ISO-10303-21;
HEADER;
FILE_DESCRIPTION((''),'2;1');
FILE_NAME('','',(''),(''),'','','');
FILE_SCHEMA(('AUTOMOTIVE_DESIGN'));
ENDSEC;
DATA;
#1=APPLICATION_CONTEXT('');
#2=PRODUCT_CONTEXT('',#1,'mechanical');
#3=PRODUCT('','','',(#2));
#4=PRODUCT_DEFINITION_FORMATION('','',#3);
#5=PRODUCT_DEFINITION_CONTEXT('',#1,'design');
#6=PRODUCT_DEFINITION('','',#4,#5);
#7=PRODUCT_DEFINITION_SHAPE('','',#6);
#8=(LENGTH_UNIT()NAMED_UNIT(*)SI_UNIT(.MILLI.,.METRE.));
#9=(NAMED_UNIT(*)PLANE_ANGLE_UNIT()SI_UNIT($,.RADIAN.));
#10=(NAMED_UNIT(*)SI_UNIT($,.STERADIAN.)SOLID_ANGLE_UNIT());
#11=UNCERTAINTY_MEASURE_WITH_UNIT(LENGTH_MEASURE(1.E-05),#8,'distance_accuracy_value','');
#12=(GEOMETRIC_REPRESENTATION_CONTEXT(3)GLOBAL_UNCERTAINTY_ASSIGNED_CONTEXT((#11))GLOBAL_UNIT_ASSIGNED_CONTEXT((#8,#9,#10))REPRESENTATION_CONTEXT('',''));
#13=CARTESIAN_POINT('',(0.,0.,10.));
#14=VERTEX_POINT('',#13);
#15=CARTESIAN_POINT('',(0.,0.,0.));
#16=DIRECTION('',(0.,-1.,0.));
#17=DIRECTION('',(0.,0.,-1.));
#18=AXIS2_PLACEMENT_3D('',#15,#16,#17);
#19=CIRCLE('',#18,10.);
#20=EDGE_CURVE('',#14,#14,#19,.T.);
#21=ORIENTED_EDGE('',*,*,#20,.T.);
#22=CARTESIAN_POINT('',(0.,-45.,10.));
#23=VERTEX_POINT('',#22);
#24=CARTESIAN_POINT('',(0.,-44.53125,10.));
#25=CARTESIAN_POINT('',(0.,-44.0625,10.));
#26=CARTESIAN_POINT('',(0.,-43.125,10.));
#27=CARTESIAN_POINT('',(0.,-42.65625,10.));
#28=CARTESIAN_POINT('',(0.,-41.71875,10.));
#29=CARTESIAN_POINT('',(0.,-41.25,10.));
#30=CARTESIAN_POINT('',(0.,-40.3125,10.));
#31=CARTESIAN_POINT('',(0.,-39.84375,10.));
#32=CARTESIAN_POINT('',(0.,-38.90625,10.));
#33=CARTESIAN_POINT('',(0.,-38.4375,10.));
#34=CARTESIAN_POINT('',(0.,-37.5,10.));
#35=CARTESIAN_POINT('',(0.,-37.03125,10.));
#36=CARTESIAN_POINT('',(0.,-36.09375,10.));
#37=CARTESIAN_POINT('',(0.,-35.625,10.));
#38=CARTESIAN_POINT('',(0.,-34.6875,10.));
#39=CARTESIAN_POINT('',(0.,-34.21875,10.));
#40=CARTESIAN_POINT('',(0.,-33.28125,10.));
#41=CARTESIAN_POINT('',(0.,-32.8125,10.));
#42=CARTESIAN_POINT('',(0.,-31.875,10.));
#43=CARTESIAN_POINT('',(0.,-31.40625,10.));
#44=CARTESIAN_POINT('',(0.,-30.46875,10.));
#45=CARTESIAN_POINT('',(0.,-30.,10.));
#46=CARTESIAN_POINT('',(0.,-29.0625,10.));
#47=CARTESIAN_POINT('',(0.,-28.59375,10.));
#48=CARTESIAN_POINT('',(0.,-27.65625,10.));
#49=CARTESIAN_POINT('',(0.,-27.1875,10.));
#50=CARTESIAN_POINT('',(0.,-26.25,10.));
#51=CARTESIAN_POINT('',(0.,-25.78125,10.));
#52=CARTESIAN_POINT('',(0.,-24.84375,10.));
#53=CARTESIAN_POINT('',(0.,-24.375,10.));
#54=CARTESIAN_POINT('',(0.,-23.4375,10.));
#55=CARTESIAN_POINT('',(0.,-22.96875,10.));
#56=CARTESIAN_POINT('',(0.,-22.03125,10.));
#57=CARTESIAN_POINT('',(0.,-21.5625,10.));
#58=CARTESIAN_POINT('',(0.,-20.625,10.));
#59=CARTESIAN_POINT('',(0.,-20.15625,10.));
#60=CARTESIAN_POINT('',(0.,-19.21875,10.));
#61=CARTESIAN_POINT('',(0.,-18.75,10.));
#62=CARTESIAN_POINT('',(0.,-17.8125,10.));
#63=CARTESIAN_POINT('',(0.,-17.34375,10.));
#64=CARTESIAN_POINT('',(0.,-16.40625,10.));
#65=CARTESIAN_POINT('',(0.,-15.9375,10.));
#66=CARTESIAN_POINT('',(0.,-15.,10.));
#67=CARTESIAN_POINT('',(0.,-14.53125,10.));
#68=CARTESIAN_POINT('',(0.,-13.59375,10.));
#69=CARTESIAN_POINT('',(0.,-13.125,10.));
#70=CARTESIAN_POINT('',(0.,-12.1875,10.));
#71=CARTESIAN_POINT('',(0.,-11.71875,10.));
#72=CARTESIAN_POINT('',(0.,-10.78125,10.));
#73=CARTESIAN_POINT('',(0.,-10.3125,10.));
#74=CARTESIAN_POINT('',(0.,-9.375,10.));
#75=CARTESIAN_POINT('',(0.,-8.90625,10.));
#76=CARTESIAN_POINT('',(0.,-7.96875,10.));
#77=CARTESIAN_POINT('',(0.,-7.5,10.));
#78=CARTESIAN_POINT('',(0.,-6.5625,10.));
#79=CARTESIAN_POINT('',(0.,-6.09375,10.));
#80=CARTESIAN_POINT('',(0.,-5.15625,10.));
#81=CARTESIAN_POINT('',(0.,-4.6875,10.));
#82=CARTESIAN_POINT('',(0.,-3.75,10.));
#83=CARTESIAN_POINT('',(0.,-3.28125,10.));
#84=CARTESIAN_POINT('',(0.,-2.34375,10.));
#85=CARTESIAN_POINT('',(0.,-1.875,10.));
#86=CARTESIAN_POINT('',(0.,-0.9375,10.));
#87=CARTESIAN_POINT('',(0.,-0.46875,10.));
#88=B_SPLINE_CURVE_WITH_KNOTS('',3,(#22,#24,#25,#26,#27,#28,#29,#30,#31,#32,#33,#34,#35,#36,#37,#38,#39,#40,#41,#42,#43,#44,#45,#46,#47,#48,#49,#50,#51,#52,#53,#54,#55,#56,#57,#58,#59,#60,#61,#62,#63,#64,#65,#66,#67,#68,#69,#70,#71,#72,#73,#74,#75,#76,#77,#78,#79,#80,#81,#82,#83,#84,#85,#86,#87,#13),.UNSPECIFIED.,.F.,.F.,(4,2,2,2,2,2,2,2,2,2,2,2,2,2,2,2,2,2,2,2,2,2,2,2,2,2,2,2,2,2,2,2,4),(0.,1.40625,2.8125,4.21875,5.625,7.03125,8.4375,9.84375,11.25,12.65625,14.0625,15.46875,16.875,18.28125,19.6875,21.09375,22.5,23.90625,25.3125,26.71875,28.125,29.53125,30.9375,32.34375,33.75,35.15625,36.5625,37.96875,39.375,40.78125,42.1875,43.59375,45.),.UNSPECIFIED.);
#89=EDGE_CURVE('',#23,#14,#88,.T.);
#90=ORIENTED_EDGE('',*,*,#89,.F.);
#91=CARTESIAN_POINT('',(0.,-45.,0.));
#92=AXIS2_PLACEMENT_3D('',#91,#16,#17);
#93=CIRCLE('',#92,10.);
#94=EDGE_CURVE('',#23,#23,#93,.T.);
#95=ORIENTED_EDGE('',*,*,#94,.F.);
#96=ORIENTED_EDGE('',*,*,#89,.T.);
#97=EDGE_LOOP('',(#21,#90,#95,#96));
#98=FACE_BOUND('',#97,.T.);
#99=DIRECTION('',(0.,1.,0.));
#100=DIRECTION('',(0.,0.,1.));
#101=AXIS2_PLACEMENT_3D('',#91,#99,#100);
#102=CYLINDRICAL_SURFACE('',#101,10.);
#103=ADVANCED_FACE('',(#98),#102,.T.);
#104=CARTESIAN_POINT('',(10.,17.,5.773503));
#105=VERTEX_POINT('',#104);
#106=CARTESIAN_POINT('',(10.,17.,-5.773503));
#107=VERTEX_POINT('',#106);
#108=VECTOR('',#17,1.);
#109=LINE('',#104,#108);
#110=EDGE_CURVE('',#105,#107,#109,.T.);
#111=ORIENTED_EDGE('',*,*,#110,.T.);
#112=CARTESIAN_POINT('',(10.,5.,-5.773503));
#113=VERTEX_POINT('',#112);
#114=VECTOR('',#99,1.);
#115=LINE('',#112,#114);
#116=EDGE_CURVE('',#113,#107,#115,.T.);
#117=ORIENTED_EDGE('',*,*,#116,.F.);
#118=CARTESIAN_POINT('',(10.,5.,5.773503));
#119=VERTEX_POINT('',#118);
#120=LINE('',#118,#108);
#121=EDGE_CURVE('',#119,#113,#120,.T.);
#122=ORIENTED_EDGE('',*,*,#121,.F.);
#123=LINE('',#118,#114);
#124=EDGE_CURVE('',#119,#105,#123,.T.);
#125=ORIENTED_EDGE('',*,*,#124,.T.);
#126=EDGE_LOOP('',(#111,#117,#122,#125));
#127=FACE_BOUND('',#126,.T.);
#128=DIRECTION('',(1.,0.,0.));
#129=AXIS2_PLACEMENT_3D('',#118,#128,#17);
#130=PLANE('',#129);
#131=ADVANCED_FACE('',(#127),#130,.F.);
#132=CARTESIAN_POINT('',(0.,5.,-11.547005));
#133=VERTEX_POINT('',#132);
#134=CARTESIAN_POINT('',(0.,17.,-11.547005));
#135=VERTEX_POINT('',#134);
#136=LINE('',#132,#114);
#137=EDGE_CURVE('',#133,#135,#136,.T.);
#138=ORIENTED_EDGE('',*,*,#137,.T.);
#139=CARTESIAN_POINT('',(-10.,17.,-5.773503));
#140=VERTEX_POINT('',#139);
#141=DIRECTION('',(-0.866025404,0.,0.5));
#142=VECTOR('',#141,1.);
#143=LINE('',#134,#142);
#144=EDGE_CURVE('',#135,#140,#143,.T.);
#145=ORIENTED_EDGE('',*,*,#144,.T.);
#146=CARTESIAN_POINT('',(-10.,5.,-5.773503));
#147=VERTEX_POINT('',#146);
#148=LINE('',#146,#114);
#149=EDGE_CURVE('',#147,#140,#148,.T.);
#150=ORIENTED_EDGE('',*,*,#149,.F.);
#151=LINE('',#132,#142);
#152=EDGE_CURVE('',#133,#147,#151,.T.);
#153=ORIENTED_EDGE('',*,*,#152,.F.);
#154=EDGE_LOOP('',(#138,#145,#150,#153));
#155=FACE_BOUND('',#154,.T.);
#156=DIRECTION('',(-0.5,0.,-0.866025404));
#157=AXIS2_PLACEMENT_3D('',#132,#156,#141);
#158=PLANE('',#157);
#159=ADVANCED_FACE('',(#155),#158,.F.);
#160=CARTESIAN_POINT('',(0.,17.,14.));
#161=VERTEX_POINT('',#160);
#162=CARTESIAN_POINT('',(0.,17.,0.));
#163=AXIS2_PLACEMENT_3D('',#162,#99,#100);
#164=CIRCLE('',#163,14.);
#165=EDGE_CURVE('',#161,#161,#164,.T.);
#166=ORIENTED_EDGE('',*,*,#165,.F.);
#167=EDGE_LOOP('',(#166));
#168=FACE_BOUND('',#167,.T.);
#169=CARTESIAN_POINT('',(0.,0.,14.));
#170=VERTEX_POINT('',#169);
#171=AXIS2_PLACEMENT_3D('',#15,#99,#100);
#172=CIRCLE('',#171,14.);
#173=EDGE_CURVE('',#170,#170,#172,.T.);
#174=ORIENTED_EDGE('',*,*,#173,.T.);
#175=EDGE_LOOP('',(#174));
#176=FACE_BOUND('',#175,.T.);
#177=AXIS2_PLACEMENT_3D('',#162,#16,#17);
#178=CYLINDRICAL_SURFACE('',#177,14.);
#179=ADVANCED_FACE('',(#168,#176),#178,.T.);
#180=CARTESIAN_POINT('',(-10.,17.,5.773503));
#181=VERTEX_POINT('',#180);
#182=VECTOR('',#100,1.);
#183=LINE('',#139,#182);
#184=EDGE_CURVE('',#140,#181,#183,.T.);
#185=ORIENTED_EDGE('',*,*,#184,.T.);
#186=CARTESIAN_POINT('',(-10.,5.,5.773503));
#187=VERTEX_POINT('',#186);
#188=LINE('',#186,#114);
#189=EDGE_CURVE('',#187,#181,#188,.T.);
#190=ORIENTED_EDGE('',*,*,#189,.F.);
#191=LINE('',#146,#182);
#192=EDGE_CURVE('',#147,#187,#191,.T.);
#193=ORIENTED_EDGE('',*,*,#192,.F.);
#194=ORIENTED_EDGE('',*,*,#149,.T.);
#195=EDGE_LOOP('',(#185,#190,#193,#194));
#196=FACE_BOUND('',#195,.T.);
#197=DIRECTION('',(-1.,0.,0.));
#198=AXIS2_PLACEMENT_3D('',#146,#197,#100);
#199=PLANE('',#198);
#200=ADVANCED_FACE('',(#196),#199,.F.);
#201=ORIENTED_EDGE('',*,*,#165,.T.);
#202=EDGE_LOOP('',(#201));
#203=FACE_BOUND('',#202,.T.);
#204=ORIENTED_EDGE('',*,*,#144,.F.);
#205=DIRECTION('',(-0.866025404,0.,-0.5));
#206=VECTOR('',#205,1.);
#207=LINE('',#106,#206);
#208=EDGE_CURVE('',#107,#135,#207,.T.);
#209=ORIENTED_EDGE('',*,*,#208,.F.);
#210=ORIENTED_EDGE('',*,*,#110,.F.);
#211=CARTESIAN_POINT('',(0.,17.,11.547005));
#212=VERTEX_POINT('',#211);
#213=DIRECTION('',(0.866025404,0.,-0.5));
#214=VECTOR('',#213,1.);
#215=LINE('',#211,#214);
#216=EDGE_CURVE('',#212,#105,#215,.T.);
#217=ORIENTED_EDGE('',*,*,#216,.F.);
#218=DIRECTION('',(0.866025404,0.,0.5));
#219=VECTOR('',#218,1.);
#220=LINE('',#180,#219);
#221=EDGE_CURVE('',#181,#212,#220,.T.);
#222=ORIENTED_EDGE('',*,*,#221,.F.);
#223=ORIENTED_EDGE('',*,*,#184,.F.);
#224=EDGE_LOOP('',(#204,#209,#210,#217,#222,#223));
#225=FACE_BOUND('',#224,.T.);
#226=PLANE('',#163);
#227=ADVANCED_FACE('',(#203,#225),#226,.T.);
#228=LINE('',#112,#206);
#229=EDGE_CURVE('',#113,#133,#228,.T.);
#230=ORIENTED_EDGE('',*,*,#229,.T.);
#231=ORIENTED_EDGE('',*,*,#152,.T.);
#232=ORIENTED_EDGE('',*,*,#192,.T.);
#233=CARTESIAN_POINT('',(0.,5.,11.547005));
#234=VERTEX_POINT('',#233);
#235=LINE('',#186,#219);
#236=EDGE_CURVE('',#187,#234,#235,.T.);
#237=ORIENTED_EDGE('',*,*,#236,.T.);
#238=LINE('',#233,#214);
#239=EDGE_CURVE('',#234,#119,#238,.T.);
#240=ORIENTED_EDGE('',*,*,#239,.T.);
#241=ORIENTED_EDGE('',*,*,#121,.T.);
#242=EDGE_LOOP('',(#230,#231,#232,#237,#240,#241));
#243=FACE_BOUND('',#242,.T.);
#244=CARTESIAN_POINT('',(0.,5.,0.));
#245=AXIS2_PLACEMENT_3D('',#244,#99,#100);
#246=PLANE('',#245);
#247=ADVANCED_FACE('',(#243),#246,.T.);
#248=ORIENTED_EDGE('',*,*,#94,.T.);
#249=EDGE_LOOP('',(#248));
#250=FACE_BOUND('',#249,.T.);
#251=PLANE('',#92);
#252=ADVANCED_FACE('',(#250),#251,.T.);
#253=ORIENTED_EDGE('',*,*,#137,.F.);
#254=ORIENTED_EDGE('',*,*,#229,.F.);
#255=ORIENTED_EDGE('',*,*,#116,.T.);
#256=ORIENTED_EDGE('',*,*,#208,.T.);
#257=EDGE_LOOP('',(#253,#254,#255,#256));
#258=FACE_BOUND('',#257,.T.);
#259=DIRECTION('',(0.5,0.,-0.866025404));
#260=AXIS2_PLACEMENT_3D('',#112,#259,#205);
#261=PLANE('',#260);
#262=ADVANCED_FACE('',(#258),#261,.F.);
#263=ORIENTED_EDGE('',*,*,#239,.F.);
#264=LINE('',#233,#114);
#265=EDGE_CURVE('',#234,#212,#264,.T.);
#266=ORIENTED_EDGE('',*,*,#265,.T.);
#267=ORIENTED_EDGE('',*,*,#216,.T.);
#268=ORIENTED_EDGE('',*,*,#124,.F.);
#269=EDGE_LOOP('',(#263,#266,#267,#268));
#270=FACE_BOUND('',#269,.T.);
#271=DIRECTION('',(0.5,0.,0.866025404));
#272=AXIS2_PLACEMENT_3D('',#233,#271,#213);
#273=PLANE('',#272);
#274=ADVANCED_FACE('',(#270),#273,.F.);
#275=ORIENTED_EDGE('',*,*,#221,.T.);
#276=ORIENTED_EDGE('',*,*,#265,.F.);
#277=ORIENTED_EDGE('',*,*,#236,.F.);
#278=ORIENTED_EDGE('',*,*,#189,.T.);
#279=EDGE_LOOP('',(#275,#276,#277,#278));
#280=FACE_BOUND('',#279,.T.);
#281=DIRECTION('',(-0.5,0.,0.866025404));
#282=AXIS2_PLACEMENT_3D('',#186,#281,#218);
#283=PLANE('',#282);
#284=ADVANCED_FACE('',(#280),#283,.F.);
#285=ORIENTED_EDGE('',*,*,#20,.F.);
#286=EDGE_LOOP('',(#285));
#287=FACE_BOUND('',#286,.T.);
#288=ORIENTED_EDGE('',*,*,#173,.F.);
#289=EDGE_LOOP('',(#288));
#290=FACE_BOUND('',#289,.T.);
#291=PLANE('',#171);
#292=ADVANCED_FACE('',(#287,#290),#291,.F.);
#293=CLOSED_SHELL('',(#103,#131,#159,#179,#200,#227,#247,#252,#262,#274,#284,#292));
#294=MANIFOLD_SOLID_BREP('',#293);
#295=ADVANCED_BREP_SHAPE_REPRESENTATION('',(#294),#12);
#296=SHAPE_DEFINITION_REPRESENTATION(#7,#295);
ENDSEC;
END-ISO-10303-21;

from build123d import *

# Parameters (mm, degrees)
SKETCH1_R           = 14
BOSS_EXTRUDE1_DEPTH = 17
SKETCH2_R           = 10
BOSS_EXTRUDE2_DEPTH = 45
CUT_EXTRUDE1_DEPTH  = 12


with BuildPart() as part:
    # Sketch1 → Boss-Extrude1 (new body)
    with BuildSketch(Plane(origin=(0, 0, 0), x_dir=(1, 0, 0), z_dir=(0, 1, 0))):
        with Locations(Location((0, 0, 0), (0, 0, 270))):
            Circle(SKETCH1_R)
    extrude(amount=BOSS_EXTRUDE1_DEPTH)

    # Sketch2 → Boss-Extrude2 (add)
    with BuildSketch(Plane.XZ):
        with Locations(Location((0, 0, 0), (0, 0, 90))):
            Circle(SKETCH2_R)
    extrude(amount=BOSS_EXTRUDE2_DEPTH)

    # Sketch3 → Cut-Extrude1 (cut)
    with BuildSketch(Plane(origin=(0, 17, 0), x_dir=(1, 0, 0), z_dir=(0, 1, 0))):
        Polygon((10, 5.773502692), (0, 11.547005384), (-10, 5.773502692), (-10, -5.773502692), (0, -11.547005384), (10, -5.773502692), align=None)
    extrude(amount=-CUT_EXTRUDE1_DEPTH, mode=Mode.SUBTRACT)


solid = part.part
